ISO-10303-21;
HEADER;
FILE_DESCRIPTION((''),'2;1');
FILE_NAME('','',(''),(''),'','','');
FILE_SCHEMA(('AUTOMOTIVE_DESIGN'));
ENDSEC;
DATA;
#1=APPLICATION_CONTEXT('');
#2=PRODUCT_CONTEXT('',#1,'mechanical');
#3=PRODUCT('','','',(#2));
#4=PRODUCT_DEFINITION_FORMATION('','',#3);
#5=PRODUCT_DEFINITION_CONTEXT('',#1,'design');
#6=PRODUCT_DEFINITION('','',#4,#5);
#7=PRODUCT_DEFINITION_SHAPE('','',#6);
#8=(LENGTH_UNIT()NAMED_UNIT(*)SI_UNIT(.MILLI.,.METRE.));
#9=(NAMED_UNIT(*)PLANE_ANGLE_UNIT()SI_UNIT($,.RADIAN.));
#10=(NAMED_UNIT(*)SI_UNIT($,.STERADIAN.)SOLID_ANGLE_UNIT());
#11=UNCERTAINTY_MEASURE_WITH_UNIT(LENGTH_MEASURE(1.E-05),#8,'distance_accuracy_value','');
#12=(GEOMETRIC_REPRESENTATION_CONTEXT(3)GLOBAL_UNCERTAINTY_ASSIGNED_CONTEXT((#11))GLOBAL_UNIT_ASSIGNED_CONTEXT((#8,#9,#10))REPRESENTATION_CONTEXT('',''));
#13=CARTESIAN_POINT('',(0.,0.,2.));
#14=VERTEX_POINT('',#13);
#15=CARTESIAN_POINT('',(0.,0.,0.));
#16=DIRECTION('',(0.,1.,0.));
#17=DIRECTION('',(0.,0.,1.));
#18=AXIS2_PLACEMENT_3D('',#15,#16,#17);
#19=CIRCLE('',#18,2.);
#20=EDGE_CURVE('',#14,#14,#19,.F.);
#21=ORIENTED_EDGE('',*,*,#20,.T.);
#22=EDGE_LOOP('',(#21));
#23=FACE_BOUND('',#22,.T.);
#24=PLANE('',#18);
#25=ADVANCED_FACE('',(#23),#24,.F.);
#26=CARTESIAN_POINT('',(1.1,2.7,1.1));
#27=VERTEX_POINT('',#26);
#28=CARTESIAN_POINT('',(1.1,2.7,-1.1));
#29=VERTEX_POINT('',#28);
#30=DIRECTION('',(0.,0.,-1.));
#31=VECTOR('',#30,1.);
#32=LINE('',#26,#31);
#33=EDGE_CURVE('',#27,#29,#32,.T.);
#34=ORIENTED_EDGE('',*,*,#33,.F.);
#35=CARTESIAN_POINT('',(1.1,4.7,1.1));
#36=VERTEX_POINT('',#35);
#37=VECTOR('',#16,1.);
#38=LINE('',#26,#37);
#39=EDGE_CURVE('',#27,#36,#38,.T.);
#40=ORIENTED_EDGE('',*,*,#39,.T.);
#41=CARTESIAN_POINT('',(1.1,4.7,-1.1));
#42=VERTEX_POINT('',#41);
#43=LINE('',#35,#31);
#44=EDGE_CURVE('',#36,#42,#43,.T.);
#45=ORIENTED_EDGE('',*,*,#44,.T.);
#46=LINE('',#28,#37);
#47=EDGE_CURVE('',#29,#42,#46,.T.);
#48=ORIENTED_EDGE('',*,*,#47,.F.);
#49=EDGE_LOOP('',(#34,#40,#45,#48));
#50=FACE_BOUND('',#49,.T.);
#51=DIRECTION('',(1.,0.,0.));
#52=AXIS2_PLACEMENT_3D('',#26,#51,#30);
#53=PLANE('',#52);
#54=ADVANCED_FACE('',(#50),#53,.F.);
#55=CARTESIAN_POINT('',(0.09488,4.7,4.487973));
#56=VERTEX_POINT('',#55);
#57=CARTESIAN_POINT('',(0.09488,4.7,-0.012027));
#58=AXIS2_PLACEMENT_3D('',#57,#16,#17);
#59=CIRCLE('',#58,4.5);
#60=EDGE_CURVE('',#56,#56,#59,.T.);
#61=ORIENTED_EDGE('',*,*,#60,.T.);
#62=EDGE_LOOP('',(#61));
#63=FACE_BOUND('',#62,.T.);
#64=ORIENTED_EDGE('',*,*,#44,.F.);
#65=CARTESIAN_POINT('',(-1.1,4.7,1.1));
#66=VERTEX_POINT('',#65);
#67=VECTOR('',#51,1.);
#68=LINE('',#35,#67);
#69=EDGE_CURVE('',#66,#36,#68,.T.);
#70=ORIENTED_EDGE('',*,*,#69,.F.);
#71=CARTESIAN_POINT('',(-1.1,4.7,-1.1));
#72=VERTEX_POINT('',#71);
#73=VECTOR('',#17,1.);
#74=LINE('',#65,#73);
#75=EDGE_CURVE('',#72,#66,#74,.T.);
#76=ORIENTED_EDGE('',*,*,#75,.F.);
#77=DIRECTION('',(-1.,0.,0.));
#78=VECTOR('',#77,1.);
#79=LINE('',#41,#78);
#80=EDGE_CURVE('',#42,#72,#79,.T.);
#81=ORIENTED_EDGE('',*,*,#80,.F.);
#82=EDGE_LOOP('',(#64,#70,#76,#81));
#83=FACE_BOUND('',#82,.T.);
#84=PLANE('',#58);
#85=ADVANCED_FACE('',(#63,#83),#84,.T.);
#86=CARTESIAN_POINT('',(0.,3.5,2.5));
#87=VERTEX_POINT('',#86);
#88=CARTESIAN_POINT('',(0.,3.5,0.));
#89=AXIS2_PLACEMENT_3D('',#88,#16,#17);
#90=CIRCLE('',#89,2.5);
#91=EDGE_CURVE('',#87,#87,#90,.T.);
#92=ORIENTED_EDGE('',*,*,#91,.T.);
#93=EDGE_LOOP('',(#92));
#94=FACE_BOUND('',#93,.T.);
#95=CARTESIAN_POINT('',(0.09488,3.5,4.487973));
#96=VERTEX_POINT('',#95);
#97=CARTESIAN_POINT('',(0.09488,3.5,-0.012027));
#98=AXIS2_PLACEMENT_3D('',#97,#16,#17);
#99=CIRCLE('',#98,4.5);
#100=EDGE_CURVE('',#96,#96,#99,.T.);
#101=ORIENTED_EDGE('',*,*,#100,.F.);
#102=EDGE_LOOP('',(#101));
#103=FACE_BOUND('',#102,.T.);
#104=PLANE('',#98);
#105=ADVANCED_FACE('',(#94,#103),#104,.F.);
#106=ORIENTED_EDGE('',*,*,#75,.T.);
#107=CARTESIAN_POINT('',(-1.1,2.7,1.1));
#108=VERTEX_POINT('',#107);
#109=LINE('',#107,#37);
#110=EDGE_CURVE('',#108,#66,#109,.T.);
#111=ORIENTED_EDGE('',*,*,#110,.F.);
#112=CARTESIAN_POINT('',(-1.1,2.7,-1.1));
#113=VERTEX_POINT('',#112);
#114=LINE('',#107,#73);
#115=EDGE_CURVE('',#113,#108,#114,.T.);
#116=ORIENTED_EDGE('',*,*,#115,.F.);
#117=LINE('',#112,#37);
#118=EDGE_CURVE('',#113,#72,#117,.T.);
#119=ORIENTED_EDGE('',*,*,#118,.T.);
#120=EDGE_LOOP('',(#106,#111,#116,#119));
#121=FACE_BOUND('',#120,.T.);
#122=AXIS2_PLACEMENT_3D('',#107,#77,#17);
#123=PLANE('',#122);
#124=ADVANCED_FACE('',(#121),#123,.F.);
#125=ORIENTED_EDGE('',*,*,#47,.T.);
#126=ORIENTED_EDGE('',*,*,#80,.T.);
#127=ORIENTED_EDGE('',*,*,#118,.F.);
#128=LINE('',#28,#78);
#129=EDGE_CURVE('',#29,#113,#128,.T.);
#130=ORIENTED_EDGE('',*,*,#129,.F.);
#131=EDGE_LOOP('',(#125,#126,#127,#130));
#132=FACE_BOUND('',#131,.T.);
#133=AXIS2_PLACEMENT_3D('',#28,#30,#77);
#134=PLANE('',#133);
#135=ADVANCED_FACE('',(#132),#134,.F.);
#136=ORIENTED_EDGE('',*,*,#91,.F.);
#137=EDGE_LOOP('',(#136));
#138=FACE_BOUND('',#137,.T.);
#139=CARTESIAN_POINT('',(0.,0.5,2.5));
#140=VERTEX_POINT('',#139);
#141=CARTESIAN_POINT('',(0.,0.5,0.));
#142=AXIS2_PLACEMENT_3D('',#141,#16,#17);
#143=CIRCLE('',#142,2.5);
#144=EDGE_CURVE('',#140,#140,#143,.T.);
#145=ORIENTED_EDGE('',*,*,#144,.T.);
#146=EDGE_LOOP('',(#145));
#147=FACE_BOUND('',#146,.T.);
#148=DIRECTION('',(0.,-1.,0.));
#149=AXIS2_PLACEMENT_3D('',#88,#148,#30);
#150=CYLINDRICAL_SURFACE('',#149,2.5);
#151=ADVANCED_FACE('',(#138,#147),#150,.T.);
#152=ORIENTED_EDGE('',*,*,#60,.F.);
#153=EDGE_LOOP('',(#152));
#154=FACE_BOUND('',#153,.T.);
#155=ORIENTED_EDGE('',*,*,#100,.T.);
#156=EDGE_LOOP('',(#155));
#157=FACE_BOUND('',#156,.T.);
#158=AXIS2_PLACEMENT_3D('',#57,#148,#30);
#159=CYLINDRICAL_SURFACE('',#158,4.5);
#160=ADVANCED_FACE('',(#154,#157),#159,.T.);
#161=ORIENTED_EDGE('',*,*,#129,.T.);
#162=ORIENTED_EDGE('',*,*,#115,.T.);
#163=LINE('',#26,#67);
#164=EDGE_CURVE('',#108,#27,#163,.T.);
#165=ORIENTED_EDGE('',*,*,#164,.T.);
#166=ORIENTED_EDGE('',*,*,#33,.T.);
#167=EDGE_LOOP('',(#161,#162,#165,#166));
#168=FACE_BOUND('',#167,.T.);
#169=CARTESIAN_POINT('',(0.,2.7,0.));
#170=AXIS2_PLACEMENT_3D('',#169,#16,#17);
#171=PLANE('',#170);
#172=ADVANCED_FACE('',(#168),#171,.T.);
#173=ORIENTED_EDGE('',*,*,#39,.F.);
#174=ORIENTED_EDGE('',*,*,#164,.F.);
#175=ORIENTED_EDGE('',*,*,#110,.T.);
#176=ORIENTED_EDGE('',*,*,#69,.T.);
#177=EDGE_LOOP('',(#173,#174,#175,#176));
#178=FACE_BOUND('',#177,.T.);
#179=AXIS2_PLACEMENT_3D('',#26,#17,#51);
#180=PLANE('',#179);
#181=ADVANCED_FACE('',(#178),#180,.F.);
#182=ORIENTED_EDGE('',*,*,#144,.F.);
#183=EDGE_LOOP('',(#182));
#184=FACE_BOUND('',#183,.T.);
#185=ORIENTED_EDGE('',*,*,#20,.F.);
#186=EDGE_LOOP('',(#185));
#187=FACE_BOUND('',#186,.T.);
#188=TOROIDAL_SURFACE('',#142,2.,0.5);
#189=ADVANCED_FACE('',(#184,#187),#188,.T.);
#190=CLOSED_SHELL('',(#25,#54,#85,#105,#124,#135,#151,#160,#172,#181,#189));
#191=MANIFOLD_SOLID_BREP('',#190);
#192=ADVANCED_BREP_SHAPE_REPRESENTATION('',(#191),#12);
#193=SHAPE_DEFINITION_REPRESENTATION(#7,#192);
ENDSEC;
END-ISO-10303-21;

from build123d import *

# Parameters (mm, degrees)
SKETCH_1_R          = 2.5
EXTRUDE_1_DEPTH     = 3.5
SKETCH_2_R          = 4.5
EXTRUDE_2_DEPTH     = 1.2
SKETCH_4_W          = 2.2
SKETCH_4_H          = 2.2
CUT_EXTRUDE_1_DEPTH = 2
FILLET_1_R          = 0.5


with BuildPart() as part:
    # 草图1 → 凸台-拉伸1 (new body)
    with BuildSketch(Plane(origin=(0, 0, 0), x_dir=(1, 0, 0), z_dir=(0, 1, 0))):
        with Locations(Location((0, 0, 0), (0, 0, 270))):
            Circle(SKETCH_1_R)
    extrude(amount=EXTRUDE_1_DEPTH)

    # 草图2 → 凸台-拉伸2 (add)
    with BuildSketch(Plane(origin=(0, 3.5, 0), x_dir=(1, 0, 0), z_dir=(0, 1, 0))):
        with Locations(Location((0.094879954, 0.012027373, 0), (0, 0, 270))):
            Circle(SKETCH_2_R)
    extrude(amount=EXTRUDE_2_DEPTH)

    # 草图4 → 切除-拉伸1 (cut)
    with BuildSketch(Plane(origin=(0, 4.7, 0), x_dir=(1, 0, 0), z_dir=(0, 1, 0))):
        Rectangle(SKETCH_4_W, SKETCH_4_H)
    extrude(amount=-CUT_EXTRUDE_1_DEPTH, mode=Mode.SUBTRACT)

    # 圆角1
    fillet_1_edges = [part.edges().sort_by_distance(p)[0] for p in [
        (0, 0, -2.5),
    ]]
    fillet(fillet_1_edges, radius=FILLET_1_R)


solid = part.part
